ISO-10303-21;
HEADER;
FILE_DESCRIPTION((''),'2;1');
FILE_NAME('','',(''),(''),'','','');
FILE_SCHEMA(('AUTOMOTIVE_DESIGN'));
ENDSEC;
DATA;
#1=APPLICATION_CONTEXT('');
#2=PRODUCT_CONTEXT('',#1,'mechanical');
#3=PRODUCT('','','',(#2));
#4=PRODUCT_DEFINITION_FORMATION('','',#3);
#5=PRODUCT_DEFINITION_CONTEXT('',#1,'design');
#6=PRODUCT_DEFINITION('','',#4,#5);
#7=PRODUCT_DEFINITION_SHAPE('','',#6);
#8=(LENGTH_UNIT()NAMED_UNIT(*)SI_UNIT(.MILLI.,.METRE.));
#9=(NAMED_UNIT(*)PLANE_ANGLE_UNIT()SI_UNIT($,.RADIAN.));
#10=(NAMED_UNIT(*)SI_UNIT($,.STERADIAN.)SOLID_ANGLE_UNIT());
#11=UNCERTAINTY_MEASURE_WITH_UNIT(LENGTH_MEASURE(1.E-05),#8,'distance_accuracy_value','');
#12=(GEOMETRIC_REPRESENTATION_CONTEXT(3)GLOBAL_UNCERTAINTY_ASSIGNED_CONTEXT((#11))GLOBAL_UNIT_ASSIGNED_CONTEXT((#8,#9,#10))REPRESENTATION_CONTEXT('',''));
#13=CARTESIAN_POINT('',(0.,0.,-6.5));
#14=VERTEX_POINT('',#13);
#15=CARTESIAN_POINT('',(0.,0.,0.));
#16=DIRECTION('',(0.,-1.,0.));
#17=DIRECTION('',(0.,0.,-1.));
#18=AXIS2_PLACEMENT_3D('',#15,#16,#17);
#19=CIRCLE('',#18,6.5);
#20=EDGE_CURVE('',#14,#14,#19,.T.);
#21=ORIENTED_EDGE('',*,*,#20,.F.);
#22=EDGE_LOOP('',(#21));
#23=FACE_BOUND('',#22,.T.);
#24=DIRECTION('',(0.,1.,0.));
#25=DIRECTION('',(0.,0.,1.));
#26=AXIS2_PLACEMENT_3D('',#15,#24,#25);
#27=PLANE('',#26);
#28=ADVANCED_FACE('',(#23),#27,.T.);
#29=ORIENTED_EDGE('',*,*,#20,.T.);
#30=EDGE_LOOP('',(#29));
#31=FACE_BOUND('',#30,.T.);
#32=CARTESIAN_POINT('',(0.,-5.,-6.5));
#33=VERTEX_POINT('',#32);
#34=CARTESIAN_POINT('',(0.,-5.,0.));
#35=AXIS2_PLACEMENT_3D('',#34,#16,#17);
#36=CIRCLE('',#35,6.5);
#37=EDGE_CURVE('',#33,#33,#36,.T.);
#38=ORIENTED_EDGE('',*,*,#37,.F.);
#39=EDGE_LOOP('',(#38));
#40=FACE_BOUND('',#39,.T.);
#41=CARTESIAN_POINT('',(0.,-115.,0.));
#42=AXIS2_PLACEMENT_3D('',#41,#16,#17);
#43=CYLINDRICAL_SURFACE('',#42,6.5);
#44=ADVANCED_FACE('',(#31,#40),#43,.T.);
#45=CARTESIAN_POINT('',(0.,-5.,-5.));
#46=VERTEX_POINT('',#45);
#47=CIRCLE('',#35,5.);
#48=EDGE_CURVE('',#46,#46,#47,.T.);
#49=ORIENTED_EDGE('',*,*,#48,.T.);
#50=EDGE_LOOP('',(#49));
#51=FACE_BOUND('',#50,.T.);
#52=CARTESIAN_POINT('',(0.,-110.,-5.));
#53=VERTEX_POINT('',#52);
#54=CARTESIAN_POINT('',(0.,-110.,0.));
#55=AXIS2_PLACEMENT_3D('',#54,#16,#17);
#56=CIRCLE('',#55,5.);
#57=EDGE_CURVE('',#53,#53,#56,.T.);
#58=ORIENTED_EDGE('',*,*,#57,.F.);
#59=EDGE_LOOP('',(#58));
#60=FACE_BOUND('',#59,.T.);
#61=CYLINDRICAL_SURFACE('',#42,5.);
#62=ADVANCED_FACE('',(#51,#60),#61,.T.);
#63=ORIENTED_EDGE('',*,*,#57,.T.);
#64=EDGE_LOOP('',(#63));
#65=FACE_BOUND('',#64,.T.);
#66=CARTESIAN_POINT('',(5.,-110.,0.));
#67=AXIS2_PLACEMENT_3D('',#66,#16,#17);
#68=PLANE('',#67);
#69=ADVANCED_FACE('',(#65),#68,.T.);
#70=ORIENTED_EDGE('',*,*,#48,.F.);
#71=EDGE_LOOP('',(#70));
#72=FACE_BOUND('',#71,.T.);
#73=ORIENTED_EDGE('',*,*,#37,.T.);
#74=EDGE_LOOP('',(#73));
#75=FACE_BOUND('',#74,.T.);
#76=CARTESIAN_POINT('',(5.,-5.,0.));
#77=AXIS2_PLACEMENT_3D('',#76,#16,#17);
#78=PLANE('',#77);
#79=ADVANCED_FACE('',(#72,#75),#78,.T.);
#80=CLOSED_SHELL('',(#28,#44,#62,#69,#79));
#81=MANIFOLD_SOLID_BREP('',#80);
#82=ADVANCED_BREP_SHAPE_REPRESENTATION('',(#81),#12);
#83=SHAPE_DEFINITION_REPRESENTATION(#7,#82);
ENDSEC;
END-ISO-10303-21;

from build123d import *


with BuildPart() as part:
    # Sketch1 → Revolve1 (revolve)
    with BuildSketch(Plane.XY, mode=Mode.PRIVATE) as revolve1_sk:
        Polygon((0, 0), (6.5, 0), (6.5, -5), (5, -5), (5, -110), (0, -110), align=None)
    revolve(revolve1_sk.sketch.rotate(Axis((0, -115, 0), (0, 1, 0)), 90), axis=Axis((0, -115, 0), (0, 1, 0)))


solid = part.part
